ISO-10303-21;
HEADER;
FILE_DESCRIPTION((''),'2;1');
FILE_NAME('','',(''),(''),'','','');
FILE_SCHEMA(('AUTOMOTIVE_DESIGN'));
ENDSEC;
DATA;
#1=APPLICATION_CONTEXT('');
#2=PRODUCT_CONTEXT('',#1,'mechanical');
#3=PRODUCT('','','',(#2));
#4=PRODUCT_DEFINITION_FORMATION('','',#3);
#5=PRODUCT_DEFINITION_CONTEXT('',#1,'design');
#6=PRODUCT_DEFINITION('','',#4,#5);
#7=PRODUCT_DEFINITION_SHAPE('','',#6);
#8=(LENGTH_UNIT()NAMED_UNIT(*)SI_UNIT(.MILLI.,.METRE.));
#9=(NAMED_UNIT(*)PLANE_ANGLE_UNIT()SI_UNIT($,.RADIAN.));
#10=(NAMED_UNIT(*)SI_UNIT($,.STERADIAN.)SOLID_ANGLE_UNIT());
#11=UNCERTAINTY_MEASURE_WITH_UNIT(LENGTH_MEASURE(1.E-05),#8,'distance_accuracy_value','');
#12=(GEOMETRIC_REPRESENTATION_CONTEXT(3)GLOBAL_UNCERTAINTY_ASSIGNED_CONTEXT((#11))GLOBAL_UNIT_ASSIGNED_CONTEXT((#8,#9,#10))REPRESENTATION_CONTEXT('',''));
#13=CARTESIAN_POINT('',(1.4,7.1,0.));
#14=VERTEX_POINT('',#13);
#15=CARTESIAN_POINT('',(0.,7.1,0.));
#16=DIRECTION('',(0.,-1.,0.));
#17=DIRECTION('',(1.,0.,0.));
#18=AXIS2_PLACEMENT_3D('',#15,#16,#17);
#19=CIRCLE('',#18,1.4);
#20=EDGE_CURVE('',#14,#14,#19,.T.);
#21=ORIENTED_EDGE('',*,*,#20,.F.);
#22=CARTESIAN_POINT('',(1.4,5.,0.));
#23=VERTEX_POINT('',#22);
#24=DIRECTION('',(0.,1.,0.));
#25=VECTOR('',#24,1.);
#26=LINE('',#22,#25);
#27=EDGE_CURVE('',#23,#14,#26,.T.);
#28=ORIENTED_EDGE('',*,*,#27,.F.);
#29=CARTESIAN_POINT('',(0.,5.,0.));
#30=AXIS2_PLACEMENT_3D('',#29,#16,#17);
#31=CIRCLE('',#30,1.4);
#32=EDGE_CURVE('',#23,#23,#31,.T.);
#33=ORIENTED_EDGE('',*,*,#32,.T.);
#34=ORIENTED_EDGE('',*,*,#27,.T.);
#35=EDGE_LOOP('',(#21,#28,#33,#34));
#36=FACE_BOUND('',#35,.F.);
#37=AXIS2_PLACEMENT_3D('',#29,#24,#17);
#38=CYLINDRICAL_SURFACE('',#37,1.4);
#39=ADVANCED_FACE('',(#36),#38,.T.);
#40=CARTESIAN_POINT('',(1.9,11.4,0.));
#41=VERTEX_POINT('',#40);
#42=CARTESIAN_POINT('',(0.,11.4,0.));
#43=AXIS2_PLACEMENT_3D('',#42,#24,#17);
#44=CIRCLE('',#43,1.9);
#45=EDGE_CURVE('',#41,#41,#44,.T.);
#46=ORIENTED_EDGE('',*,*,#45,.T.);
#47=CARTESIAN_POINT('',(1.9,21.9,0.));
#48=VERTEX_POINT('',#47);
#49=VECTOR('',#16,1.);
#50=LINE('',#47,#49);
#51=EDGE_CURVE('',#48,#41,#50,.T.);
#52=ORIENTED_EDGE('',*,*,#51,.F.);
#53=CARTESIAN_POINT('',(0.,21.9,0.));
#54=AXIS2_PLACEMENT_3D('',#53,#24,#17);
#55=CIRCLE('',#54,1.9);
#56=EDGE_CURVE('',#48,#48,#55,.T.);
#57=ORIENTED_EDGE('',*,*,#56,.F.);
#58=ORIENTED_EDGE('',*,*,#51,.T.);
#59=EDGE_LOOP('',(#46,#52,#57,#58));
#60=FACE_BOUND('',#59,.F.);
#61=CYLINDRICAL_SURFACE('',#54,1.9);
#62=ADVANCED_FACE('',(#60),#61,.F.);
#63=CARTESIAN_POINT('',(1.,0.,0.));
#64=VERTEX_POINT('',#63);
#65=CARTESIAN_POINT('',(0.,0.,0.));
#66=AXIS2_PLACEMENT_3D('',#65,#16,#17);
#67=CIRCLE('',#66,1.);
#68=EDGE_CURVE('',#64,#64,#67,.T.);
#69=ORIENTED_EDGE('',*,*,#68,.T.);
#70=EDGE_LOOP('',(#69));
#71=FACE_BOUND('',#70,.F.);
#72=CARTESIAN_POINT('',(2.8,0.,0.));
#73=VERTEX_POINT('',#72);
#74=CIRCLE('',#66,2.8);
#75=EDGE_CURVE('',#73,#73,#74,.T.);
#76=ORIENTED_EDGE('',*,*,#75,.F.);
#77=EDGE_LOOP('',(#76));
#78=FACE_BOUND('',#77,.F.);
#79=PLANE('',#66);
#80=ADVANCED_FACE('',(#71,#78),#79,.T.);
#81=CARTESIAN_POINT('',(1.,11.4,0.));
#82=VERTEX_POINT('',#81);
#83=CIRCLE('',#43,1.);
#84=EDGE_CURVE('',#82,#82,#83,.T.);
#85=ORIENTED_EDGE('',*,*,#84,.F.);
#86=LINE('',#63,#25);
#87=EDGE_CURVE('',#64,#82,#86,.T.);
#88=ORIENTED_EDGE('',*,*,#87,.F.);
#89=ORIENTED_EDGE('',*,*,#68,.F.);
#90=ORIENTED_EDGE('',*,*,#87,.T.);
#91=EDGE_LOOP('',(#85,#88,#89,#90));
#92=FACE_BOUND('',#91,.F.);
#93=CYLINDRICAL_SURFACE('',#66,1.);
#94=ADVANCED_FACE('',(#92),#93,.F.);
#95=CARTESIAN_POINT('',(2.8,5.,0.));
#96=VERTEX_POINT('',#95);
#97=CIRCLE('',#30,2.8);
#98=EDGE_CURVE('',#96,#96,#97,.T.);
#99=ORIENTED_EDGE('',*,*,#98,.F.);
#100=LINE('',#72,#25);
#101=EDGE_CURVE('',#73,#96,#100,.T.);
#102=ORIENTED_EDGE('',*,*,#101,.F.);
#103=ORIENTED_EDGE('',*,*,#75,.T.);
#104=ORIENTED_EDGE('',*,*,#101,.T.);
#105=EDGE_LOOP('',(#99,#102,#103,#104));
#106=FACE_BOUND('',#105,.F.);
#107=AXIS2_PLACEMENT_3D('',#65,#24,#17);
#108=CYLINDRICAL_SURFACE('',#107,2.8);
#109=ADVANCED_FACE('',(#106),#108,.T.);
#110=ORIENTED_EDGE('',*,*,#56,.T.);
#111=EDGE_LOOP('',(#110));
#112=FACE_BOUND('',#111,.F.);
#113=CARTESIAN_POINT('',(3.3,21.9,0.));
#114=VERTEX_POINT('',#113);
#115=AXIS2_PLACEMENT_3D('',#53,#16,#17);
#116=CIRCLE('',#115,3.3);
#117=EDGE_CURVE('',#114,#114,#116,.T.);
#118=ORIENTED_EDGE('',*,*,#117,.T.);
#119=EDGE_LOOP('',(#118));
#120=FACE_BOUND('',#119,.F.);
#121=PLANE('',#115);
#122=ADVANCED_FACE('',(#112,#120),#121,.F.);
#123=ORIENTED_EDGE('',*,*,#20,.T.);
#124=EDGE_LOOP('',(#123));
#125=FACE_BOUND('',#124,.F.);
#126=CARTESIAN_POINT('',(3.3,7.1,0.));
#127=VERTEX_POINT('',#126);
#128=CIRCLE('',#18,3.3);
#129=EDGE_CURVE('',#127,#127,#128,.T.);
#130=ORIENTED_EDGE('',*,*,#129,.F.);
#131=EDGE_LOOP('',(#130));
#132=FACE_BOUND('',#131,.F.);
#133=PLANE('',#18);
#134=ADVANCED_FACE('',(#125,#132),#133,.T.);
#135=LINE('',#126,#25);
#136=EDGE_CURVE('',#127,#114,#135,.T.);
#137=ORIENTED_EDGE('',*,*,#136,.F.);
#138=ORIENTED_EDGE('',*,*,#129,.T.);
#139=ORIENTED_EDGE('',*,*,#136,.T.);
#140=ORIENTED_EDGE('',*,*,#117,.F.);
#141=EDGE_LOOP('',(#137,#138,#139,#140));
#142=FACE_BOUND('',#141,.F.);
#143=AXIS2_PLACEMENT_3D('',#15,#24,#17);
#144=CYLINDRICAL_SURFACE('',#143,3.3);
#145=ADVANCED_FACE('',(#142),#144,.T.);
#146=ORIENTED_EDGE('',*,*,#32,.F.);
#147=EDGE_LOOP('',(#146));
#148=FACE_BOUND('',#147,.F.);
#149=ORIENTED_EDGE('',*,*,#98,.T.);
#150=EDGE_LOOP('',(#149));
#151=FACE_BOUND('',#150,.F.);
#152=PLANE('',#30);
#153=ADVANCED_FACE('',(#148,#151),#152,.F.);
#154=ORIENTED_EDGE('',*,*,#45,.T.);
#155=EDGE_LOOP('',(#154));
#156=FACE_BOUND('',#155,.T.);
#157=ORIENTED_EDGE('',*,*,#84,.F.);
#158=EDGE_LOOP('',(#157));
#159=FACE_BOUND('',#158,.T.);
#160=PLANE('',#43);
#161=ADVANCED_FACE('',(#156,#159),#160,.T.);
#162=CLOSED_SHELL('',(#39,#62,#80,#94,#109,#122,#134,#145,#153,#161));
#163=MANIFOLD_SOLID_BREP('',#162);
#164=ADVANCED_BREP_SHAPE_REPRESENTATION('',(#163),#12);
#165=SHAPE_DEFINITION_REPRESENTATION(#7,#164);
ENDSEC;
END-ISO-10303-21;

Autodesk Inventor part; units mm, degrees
ref_plane "YZ Plane" through (0, 0, 0) normal (1, 0, 0) x (0, 1, 0)
ref_plane "XZ Plane" through (0, 0, 0) normal (0, 1, 0) x (-1, 0, 0)
ref_plane "XY Plane" through (0, 0, 0) normal (0, 0, 1) x (1, 0, 0)
sketch "Sketch1" plane through (0, 0, 0) normal (0, 0, 1) x (1, 0, 0)
  line L0 (0, 0) -> (2.8, 0)
  line L1 (2.8, 0) -> (2.8, 5)
  line L2 (2.8, 5) -> (1.4, 5)
  line L3 (1.4, 5) -> (1.4, 7.1)
  line L4 (1.4, 7.1) -> (3.3, 7.1)
  line L5 (3.3, 7.1) -> (3.3, 21.9)
  line L6 (3.3, 21.9) -> (0, 21.9)
  line L7 (0, 21.9) -> (0, 0)
  dimension "d0" = 2.8
  dimension "d1" = 5
  dimension "d2" = 1.4
  dimension "d3" = 2.1
  dimension "d4" = 3.3
  dimension "d5" = 14.8
revolve "Revolution1" add sketch "Sketch1" angle 360 about axis through (0, 21.9, 0) along (0, -1, 0)
thread "Thread1" size "M6x1" class "6g" standard "ANSI Metric M Profile" full length
sketch "Sketch2" plane through (0, 0, 0) normal (0, -1, 0) x (1, 0, 0)
  circle A0 centre (0, 0) radius 3.3 projected
  circle A1 centre (0, 0) radius 1
  dimension "d11" = 2
extrude "Extrusion1" cut sketch "Sketch2" against normal up to surface (21.9 mm away) contours A1
sketch "Sketch3" plane through (0, 21.9, 0) normal (0, 1, 0) x (1, 0, 0)
  circle A0 centre (0, 0) radius 1 projected
  circle A1 centre (0, 0) radius 3.3 projected
  circle A2 centre (0, 0) radius 1.9
  dimension "d14" = 3.8
extrude "Extrusion2" cut sketch "Sketch3" against normal blind 10.5 contours A2
properties part number "ChimeraHeatBreak" material "Stainless Steel"
